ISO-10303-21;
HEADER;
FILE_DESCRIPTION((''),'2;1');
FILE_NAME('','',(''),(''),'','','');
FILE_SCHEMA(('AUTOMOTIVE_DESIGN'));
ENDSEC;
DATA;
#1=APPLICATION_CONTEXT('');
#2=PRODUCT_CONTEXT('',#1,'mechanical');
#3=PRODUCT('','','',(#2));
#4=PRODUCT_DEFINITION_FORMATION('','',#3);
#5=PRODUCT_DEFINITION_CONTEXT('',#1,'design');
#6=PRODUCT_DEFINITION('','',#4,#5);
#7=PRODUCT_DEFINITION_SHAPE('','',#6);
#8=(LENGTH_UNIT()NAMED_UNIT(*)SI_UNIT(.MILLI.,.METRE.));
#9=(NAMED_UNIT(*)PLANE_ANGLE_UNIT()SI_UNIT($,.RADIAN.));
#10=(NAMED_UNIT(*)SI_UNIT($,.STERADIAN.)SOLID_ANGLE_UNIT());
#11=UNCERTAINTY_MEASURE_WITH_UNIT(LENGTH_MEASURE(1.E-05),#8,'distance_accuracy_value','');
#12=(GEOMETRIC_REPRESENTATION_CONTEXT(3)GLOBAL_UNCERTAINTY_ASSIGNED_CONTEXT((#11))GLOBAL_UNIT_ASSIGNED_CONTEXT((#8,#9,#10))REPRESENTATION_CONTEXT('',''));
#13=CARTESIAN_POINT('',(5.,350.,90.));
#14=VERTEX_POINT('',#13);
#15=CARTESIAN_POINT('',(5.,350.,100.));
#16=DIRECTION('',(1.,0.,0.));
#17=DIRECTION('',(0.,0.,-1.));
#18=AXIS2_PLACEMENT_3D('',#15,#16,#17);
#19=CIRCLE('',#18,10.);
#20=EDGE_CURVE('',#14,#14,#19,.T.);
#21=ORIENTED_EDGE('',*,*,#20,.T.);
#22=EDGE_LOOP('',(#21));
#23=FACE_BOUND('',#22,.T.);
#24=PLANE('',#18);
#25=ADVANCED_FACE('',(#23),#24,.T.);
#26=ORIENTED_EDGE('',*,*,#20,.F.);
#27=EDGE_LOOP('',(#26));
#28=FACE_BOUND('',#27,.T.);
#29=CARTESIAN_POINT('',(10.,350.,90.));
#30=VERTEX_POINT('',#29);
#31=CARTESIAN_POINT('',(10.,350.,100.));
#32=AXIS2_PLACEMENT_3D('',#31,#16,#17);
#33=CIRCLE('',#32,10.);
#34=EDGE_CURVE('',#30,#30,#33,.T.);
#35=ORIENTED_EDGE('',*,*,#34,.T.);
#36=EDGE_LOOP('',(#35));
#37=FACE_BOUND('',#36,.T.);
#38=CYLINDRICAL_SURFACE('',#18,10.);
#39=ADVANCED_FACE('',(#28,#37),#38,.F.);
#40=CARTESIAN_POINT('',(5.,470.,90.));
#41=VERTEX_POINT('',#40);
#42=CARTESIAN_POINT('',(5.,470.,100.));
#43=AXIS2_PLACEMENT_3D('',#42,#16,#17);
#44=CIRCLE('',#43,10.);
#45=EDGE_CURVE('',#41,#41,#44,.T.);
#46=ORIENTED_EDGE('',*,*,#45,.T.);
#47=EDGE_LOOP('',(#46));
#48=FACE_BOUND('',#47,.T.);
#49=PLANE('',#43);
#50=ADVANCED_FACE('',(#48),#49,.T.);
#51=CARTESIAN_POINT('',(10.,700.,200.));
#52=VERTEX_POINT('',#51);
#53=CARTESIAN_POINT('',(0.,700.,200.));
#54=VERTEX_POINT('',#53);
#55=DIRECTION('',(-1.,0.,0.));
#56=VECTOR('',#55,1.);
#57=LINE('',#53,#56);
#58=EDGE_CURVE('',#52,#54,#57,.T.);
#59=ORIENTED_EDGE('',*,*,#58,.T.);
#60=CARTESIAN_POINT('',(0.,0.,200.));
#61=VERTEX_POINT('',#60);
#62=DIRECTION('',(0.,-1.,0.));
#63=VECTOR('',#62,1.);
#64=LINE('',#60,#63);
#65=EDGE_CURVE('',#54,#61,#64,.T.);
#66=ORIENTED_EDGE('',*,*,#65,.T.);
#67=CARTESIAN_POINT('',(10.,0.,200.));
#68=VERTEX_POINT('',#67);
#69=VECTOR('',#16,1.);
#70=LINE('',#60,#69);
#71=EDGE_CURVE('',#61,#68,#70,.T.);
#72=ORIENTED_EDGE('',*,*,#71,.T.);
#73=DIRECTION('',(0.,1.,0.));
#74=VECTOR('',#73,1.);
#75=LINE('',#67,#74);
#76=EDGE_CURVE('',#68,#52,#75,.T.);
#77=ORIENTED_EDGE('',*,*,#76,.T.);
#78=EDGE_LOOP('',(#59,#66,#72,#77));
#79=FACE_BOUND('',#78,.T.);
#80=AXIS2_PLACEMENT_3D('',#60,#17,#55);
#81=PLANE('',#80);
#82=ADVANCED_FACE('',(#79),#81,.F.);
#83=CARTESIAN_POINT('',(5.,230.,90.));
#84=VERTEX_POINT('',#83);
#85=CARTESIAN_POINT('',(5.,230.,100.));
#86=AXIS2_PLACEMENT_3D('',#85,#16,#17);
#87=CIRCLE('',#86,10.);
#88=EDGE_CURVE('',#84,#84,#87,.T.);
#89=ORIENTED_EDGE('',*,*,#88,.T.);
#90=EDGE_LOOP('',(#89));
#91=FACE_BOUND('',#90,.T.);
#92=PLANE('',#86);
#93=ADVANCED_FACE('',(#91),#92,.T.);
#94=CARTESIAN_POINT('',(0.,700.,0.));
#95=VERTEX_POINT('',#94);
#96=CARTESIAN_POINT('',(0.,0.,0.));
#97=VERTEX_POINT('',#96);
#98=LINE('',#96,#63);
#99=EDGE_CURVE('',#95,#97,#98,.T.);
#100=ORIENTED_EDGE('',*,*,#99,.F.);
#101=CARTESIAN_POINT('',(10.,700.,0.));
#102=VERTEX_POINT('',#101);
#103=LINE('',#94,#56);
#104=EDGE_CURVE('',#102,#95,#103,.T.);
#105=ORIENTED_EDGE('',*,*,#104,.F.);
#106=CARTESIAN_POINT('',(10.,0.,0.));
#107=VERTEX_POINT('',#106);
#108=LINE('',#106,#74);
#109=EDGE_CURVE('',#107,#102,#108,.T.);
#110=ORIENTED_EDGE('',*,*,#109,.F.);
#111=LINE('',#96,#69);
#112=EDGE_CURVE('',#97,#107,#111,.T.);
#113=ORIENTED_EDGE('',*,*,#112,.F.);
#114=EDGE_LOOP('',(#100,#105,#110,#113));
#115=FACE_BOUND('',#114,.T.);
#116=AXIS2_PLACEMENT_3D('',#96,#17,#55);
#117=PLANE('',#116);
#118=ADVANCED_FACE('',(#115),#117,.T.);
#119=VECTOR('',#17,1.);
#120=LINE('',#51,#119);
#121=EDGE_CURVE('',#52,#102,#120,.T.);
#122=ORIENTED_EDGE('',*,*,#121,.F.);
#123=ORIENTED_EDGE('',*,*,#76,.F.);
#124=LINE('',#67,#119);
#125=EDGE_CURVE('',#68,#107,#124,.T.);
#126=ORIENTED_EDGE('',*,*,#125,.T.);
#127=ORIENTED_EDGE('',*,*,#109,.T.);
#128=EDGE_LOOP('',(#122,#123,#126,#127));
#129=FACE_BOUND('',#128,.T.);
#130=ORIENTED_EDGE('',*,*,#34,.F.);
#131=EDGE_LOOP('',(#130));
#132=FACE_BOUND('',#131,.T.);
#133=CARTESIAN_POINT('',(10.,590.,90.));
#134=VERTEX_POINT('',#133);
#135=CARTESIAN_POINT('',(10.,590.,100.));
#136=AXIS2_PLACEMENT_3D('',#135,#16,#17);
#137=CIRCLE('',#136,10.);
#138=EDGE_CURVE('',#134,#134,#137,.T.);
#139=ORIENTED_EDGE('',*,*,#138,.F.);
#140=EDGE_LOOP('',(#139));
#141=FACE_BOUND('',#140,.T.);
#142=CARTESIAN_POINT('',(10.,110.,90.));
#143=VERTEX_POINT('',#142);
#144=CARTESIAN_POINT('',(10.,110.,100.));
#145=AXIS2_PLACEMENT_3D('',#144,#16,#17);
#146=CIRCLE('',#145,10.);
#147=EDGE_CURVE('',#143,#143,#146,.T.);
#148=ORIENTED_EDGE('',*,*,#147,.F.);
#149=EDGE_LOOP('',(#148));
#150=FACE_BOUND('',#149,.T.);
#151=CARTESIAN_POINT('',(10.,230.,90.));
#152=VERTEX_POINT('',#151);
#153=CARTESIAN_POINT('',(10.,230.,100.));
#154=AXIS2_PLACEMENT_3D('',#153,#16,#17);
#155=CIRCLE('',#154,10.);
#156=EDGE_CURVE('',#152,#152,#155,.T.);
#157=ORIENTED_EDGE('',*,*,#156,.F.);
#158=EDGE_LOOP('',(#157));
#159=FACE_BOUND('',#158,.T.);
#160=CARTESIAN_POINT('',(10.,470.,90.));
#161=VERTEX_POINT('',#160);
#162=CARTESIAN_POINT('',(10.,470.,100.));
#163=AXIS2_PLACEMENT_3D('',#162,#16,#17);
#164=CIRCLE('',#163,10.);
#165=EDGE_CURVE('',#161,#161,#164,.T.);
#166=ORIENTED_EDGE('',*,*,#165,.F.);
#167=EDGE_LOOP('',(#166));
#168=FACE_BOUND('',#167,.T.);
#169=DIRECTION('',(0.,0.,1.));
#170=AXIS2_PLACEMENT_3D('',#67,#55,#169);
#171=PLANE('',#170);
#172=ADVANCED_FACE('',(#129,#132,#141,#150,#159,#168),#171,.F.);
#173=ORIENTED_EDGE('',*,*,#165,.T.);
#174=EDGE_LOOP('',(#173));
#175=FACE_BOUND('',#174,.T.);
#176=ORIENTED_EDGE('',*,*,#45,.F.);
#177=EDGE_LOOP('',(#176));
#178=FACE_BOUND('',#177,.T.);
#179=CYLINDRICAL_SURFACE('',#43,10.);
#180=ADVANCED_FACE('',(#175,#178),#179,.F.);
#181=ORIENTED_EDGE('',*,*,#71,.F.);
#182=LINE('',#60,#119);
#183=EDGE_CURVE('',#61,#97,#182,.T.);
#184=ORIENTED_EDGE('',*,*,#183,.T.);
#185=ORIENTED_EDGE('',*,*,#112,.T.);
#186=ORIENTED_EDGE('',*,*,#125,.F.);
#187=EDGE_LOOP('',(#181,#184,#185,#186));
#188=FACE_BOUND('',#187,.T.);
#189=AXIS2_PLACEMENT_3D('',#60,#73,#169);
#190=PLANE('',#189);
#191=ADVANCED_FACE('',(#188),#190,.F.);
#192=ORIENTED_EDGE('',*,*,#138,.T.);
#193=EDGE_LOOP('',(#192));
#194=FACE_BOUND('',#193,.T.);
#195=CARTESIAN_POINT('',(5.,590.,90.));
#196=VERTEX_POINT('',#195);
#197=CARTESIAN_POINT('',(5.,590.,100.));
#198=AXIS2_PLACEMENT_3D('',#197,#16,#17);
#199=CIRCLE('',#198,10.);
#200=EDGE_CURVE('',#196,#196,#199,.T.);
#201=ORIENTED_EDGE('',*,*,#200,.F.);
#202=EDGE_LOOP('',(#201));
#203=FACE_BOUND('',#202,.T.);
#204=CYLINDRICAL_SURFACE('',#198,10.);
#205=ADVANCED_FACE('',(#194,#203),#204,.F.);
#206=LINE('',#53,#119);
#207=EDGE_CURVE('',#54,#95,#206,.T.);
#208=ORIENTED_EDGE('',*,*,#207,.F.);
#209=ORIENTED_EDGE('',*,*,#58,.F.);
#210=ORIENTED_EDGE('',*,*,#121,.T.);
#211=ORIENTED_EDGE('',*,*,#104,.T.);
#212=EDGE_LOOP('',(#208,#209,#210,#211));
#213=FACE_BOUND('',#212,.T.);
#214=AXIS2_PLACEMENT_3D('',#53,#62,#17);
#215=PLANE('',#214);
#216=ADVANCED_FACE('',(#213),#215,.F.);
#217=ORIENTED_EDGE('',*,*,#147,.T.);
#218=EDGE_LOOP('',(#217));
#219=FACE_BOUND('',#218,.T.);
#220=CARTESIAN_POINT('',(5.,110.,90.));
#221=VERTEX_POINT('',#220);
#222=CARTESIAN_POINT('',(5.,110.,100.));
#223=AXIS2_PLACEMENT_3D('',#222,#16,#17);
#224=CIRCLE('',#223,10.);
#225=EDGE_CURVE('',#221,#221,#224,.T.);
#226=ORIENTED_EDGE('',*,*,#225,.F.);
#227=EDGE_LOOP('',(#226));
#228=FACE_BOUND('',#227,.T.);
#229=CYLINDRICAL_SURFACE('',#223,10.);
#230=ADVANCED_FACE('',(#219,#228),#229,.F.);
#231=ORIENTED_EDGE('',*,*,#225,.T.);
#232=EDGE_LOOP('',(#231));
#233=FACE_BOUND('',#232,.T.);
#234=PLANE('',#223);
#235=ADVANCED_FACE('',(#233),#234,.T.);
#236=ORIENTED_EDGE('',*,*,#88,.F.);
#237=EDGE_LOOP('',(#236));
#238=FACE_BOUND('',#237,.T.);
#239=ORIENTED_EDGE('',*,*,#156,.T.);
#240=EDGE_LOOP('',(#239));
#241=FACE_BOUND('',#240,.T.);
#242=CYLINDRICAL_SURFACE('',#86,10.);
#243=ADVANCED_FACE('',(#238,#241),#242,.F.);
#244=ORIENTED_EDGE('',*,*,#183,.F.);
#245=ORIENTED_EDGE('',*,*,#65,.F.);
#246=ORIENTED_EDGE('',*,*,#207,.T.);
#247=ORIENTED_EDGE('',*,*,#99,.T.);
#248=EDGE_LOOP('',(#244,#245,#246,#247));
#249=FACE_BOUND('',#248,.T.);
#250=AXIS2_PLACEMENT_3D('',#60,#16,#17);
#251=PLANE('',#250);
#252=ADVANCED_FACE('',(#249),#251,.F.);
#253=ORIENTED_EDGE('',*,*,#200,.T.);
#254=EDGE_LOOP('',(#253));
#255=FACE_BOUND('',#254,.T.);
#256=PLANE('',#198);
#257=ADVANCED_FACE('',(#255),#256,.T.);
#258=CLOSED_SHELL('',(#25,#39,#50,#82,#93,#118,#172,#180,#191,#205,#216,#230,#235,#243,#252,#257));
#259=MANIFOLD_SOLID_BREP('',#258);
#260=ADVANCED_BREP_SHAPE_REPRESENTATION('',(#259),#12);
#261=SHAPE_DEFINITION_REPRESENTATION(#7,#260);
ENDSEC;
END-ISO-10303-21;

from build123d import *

# Parameters (mm, degrees)
CROQUIS1_W              = 10
CROQUIS1_H              = 700
SALIENTE_EXTRUIR1_DEPTH = 200
CROQUIS2_R              = 10
CORTAR_EXTRUIR1_DEPTH   = 5


with BuildPart() as part:
    # Croquis1 → Saliente-Extruir1 (new body)
    with BuildSketch(Plane.XY):
        with Locations((5, 350)):
            Rectangle(CROQUIS1_W, CROQUIS1_H)
    extrude(amount=SALIENTE_EXTRUIR1_DEPTH)

    # Croquis2 → Cortar-Extruir1 (cut)
    with BuildSketch(Plane(origin=(10, 0, 0), x_dir=(0, 0, -1), z_dir=(1, 0, 0))):
        with Locations((-100, 110)):
            Circle(CROQUIS2_R)
        with Locations((-100, 230)):
            Circle(CROQUIS2_R)
        with Locations((-100, 350)):
            Circle(CROQUIS2_R)
        with Locations((-100, 470)):
            Circle(CROQUIS2_R)
        with Locations((-100, 590)):
            Circle(CROQUIS2_R)
    extrude(amount=-CORTAR_EXTRUIR1_DEPTH, mode=Mode.SUBTRACT)


solid = part.part
